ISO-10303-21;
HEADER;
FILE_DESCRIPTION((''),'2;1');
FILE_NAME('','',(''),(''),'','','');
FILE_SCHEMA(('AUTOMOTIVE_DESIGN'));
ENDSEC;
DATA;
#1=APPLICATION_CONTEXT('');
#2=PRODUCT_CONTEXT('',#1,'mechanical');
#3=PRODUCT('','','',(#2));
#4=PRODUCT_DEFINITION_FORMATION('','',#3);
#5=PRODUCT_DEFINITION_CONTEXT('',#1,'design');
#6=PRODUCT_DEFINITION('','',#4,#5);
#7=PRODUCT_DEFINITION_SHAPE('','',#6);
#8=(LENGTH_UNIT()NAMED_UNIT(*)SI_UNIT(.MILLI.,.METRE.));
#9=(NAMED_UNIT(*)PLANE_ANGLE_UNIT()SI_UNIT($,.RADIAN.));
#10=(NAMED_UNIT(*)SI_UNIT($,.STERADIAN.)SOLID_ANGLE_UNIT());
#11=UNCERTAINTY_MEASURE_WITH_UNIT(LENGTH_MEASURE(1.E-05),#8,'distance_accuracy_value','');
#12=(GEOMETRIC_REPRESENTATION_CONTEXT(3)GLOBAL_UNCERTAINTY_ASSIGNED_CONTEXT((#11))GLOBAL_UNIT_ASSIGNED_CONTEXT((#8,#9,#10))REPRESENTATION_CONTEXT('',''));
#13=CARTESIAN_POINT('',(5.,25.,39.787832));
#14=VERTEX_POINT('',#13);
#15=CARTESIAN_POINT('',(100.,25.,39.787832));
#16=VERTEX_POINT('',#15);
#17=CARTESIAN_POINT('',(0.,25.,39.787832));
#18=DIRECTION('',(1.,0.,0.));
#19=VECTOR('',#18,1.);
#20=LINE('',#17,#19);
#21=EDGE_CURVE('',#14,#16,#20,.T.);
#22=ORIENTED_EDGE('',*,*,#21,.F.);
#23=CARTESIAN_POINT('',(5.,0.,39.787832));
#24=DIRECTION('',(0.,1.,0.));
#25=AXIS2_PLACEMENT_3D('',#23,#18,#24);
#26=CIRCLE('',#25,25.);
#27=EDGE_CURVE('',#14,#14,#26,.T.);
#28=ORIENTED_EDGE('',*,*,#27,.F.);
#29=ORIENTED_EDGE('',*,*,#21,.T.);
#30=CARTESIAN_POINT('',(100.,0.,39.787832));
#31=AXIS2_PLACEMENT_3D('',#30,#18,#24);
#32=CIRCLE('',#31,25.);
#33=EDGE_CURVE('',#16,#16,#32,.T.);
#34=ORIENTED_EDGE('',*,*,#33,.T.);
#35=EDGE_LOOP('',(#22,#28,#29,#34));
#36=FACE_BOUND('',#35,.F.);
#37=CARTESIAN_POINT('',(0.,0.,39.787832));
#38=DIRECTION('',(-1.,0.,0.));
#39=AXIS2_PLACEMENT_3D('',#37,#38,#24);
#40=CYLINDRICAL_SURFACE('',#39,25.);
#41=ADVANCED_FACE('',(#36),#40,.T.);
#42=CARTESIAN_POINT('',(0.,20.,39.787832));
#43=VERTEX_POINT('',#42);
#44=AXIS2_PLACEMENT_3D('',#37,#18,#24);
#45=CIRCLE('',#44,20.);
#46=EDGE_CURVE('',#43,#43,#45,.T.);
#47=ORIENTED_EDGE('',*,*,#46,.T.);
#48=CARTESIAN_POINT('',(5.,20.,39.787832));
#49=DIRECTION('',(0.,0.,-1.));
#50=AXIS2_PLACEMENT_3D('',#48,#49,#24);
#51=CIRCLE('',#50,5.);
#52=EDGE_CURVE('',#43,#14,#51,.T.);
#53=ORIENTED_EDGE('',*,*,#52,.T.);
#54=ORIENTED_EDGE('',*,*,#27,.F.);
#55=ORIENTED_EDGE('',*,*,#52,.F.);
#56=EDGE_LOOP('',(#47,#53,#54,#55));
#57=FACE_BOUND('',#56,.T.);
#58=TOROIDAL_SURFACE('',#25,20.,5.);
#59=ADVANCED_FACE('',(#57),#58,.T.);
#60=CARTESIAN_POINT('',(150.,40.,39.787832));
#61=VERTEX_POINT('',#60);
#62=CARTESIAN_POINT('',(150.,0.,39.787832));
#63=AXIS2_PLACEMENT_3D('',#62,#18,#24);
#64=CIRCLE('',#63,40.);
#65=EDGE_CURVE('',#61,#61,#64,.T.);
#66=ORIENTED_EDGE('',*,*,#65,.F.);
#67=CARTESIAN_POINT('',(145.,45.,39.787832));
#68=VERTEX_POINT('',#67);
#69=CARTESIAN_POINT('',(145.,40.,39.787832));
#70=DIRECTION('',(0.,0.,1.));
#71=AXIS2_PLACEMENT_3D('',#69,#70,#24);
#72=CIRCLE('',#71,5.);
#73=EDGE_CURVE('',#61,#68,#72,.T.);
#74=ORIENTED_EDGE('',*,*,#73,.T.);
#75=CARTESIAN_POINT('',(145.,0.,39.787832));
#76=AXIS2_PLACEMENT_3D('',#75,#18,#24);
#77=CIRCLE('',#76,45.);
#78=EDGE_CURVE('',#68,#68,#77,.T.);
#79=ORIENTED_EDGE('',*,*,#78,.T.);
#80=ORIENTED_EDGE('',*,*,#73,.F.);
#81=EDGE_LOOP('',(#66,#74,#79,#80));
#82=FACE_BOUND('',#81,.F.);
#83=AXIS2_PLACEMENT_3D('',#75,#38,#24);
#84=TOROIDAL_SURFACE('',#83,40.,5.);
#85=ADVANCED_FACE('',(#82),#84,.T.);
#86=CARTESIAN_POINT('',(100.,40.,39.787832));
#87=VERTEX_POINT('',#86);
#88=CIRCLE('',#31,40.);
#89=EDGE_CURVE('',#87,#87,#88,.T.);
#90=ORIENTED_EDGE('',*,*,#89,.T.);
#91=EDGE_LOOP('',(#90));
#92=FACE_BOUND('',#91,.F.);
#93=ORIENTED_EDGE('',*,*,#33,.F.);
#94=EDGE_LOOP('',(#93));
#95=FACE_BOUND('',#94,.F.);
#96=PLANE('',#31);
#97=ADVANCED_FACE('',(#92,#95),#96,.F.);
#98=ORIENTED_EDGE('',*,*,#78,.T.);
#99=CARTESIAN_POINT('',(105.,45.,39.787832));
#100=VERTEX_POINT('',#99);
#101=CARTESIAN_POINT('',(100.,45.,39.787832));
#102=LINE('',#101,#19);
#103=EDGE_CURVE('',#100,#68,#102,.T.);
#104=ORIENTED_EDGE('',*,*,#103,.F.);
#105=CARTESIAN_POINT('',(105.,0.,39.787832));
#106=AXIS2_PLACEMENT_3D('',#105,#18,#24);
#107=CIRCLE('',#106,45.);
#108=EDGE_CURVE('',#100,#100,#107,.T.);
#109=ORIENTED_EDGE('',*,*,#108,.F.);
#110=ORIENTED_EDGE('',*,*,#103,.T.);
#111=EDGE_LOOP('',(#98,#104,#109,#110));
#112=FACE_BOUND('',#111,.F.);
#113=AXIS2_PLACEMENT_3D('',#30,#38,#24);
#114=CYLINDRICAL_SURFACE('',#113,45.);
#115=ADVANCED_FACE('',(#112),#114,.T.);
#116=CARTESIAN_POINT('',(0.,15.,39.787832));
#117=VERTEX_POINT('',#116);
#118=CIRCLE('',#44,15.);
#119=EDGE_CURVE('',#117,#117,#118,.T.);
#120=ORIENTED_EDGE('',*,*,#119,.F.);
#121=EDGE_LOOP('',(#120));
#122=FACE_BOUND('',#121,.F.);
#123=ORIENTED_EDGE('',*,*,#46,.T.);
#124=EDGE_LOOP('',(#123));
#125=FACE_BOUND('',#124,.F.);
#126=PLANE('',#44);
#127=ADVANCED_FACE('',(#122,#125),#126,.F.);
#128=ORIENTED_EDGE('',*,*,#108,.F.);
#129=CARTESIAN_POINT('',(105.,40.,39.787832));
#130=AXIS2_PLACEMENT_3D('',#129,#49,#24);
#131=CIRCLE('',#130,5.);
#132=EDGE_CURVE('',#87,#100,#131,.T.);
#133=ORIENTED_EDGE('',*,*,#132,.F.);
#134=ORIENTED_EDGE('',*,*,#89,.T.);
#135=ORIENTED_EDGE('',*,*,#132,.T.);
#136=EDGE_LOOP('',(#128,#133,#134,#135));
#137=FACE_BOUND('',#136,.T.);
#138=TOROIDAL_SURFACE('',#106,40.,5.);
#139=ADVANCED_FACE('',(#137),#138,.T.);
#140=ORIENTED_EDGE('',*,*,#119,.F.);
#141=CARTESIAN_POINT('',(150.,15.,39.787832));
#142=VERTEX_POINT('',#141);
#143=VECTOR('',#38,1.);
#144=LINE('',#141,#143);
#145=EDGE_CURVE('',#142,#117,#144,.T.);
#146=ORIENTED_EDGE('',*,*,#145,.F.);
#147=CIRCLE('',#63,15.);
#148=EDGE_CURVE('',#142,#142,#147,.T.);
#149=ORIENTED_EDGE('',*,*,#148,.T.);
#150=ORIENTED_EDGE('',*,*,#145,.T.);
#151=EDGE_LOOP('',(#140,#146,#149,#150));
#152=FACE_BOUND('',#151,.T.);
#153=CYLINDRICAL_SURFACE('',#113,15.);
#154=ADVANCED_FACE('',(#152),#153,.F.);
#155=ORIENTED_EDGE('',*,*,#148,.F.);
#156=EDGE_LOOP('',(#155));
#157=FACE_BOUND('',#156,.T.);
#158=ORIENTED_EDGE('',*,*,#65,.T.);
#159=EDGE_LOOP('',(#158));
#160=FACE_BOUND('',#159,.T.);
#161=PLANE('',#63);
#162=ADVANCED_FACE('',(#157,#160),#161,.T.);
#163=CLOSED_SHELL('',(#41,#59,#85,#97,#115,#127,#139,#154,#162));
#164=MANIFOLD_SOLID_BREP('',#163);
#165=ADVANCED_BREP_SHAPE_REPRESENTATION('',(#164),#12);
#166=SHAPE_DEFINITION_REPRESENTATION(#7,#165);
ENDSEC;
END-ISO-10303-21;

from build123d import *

# Parameters (mm, degrees)
F0_R     = 25
F0_R_2   = 15
F1_DEPTH = 100
F2_R     = 25
F2_R_2   = 15
F3_R     = 45
F3_R_2   = 25
F4_DEPTH = 50
F5_R     = 5
F6_R     = 5


with BuildPart() as f1:
    # F0 (on Right) → F1 (new body)
    with BuildSketch(Plane.YZ):
        with Locations((0, 39.787832)):
            Circle(F0_R)
        with Locations((0, 39.787832)):
            Circle(F0_R_2, mode=Mode.SUBTRACT)
    extrude(amount=F1_DEPTH)

    # F2 (on face) + F3 (on face) → F4 (join)
    with BuildSketch(Plane.YZ.offset(100)):
        with Locations((0, 39.787832)):
            Circle(F2_R)
        with Locations((0, 39.787832)):
            Circle(F2_R_2, mode=Mode.SUBTRACT)
    with BuildSketch(Plane.YZ.offset(100)):
        with Locations((0, 39.787832)):
            Circle(F3_R)
        with Locations((0, 39.787832)):
            Circle(F3_R_2, mode=Mode.SUBTRACT)
    extrude(amount=F4_DEPTH)

    # F5
    f5_edges = [f1.edges().sort_by_distance(p)[0] for p in [
        (100, -45, 39.787832),
        (0, -25, 39.787832),
    ]]
    fillet(f5_edges, radius=F5_R)

    # F6
    f6_edges = [f1.edges().sort_by_distance(p)[0] for p in [
        (150, -45, 39.787832),
    ]]
    fillet(f6_edges, radius=F6_R)


solid = f1.part
